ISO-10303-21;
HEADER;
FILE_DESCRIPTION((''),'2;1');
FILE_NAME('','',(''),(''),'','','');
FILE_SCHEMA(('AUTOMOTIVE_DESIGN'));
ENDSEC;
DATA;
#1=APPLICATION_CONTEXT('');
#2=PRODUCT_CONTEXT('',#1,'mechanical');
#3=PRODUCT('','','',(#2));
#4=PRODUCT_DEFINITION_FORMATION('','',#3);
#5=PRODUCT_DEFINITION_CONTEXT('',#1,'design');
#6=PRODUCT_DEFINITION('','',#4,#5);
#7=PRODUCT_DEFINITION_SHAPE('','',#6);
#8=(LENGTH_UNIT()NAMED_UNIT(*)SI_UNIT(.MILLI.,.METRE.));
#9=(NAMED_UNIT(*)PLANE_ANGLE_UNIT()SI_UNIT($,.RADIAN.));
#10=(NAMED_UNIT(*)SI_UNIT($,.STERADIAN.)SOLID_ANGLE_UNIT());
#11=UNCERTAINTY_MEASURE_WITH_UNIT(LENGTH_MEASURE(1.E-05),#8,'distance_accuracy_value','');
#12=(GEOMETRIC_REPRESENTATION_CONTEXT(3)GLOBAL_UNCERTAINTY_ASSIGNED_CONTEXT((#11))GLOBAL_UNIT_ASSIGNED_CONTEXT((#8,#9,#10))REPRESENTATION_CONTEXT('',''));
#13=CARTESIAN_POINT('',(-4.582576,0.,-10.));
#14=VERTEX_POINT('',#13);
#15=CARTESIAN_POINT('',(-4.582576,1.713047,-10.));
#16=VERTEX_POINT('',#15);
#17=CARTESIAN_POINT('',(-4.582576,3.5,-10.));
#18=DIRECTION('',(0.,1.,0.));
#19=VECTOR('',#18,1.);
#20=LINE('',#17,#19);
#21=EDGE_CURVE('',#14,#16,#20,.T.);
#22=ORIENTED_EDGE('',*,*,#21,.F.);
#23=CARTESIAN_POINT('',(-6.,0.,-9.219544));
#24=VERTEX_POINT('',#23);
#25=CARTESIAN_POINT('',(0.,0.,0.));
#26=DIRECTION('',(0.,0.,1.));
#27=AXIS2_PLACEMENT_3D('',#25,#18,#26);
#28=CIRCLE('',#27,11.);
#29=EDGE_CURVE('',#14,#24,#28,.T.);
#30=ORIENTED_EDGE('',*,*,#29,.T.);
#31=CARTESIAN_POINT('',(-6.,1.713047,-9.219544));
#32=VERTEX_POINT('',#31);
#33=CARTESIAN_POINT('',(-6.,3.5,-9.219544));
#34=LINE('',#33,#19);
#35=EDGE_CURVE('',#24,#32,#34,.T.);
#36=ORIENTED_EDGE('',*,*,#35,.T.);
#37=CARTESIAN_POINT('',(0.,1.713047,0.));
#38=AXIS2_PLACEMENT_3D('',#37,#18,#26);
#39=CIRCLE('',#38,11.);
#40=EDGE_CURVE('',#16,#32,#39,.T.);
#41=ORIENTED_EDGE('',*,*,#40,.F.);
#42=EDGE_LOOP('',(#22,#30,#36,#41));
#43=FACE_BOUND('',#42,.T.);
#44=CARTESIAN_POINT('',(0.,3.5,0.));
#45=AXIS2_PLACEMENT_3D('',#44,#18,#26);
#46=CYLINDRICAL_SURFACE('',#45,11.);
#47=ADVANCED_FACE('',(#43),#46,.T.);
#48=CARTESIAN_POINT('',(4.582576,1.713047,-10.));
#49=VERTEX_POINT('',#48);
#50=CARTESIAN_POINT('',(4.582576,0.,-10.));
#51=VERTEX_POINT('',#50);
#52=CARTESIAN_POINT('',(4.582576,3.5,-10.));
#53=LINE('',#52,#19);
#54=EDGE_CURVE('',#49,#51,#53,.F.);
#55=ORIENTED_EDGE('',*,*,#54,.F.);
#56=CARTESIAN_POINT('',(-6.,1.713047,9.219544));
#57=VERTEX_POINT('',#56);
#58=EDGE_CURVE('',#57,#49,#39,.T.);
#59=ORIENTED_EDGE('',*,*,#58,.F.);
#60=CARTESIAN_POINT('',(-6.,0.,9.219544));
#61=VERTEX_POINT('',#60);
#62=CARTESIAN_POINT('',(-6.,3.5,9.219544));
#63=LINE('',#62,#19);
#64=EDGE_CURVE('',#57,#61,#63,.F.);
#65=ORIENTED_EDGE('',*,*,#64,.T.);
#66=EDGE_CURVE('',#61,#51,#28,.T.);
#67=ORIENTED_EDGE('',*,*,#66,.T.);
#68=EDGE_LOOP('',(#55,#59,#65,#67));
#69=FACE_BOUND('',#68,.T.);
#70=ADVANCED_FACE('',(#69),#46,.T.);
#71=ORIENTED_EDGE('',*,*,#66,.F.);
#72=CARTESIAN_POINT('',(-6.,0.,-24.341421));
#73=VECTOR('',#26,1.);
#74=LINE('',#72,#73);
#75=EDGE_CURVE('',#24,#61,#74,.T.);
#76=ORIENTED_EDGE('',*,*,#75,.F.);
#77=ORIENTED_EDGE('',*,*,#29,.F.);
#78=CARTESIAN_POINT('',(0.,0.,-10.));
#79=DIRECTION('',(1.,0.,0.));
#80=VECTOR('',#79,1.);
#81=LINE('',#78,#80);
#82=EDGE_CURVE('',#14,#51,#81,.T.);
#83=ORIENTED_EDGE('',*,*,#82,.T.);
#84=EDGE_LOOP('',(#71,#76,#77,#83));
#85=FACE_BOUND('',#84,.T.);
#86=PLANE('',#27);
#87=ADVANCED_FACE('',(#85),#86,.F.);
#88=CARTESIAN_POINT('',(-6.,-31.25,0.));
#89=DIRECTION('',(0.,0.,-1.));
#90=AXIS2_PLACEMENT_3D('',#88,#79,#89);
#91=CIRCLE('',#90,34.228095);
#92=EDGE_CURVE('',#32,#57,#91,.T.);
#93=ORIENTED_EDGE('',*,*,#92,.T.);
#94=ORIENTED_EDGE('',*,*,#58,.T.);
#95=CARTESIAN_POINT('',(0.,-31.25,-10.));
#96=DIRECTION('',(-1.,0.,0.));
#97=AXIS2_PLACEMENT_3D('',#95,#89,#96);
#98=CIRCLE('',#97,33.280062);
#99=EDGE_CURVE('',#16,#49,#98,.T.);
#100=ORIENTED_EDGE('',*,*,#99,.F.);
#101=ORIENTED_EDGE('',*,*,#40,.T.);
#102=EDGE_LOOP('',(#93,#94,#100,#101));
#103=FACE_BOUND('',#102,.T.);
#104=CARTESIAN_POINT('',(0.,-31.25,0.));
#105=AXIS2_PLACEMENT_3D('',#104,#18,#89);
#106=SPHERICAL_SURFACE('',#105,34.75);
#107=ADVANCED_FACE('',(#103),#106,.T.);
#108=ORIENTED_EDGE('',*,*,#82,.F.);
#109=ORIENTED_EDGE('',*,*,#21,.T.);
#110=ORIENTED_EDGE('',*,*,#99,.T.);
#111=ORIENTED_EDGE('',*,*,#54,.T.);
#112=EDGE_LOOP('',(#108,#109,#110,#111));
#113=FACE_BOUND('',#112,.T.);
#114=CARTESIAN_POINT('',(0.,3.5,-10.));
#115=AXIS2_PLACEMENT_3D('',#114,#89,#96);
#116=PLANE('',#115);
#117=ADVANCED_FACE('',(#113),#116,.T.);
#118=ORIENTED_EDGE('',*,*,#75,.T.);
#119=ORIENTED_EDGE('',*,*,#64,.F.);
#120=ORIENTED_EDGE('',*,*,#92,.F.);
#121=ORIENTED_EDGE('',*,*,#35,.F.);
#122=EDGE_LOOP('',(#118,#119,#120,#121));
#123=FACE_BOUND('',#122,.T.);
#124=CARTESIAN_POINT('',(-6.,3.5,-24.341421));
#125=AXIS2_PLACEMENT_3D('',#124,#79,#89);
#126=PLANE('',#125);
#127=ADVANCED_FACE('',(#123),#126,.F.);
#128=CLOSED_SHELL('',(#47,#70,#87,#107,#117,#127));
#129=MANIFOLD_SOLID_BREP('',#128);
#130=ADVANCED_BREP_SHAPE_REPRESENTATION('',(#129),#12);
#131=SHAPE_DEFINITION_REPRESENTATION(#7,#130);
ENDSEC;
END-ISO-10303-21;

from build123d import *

# Parameters (mm, degrees)
CUT_EXTRUDE_1_DEPTH = 4.5


with BuildPart() as part:
    # Эскиз1 → Повернуть1 (revolve)
    with BuildSketch(Plane(origin=(0, 0, 0), x_dir=(0, 0, -1), z_dir=(1, 0, 0))):
        with BuildLine():
            Line((0, 0), (11, 0))
            Line((11, 0), (11, 1.713047493))
            ThreePointArc((11, 1.713047493), (5.572100126, 3.050352771), (0, 3.5))
            Line((0, 3.5), (0, 0))
        make_face()
    revolve(axis=Axis((0, 3.5, 0), (0, -1, 0)))

    # Эскиз2 → Вырез-Вытянуть1 (cut, through all)
    with BuildSketch(Plane.XZ):
        with BuildLine():
            ThreePointArc((-6, 9.219544457), (-11, 0), (-6, -9.219544457))
            Line((-6, -9.219544457), (-6, 9.219544457))
        make_face()
        with BuildLine():
            Line((4.582575695, -10), (-4.582575695, -10))
            ThreePointArc((-4.582575695, -10), (0, -11), (4.582575695, -10))
        make_face()
    extrude(amount=-CUT_EXTRUDE_1_DEPTH, mode=Mode.SUBTRACT)


solid = part.part
